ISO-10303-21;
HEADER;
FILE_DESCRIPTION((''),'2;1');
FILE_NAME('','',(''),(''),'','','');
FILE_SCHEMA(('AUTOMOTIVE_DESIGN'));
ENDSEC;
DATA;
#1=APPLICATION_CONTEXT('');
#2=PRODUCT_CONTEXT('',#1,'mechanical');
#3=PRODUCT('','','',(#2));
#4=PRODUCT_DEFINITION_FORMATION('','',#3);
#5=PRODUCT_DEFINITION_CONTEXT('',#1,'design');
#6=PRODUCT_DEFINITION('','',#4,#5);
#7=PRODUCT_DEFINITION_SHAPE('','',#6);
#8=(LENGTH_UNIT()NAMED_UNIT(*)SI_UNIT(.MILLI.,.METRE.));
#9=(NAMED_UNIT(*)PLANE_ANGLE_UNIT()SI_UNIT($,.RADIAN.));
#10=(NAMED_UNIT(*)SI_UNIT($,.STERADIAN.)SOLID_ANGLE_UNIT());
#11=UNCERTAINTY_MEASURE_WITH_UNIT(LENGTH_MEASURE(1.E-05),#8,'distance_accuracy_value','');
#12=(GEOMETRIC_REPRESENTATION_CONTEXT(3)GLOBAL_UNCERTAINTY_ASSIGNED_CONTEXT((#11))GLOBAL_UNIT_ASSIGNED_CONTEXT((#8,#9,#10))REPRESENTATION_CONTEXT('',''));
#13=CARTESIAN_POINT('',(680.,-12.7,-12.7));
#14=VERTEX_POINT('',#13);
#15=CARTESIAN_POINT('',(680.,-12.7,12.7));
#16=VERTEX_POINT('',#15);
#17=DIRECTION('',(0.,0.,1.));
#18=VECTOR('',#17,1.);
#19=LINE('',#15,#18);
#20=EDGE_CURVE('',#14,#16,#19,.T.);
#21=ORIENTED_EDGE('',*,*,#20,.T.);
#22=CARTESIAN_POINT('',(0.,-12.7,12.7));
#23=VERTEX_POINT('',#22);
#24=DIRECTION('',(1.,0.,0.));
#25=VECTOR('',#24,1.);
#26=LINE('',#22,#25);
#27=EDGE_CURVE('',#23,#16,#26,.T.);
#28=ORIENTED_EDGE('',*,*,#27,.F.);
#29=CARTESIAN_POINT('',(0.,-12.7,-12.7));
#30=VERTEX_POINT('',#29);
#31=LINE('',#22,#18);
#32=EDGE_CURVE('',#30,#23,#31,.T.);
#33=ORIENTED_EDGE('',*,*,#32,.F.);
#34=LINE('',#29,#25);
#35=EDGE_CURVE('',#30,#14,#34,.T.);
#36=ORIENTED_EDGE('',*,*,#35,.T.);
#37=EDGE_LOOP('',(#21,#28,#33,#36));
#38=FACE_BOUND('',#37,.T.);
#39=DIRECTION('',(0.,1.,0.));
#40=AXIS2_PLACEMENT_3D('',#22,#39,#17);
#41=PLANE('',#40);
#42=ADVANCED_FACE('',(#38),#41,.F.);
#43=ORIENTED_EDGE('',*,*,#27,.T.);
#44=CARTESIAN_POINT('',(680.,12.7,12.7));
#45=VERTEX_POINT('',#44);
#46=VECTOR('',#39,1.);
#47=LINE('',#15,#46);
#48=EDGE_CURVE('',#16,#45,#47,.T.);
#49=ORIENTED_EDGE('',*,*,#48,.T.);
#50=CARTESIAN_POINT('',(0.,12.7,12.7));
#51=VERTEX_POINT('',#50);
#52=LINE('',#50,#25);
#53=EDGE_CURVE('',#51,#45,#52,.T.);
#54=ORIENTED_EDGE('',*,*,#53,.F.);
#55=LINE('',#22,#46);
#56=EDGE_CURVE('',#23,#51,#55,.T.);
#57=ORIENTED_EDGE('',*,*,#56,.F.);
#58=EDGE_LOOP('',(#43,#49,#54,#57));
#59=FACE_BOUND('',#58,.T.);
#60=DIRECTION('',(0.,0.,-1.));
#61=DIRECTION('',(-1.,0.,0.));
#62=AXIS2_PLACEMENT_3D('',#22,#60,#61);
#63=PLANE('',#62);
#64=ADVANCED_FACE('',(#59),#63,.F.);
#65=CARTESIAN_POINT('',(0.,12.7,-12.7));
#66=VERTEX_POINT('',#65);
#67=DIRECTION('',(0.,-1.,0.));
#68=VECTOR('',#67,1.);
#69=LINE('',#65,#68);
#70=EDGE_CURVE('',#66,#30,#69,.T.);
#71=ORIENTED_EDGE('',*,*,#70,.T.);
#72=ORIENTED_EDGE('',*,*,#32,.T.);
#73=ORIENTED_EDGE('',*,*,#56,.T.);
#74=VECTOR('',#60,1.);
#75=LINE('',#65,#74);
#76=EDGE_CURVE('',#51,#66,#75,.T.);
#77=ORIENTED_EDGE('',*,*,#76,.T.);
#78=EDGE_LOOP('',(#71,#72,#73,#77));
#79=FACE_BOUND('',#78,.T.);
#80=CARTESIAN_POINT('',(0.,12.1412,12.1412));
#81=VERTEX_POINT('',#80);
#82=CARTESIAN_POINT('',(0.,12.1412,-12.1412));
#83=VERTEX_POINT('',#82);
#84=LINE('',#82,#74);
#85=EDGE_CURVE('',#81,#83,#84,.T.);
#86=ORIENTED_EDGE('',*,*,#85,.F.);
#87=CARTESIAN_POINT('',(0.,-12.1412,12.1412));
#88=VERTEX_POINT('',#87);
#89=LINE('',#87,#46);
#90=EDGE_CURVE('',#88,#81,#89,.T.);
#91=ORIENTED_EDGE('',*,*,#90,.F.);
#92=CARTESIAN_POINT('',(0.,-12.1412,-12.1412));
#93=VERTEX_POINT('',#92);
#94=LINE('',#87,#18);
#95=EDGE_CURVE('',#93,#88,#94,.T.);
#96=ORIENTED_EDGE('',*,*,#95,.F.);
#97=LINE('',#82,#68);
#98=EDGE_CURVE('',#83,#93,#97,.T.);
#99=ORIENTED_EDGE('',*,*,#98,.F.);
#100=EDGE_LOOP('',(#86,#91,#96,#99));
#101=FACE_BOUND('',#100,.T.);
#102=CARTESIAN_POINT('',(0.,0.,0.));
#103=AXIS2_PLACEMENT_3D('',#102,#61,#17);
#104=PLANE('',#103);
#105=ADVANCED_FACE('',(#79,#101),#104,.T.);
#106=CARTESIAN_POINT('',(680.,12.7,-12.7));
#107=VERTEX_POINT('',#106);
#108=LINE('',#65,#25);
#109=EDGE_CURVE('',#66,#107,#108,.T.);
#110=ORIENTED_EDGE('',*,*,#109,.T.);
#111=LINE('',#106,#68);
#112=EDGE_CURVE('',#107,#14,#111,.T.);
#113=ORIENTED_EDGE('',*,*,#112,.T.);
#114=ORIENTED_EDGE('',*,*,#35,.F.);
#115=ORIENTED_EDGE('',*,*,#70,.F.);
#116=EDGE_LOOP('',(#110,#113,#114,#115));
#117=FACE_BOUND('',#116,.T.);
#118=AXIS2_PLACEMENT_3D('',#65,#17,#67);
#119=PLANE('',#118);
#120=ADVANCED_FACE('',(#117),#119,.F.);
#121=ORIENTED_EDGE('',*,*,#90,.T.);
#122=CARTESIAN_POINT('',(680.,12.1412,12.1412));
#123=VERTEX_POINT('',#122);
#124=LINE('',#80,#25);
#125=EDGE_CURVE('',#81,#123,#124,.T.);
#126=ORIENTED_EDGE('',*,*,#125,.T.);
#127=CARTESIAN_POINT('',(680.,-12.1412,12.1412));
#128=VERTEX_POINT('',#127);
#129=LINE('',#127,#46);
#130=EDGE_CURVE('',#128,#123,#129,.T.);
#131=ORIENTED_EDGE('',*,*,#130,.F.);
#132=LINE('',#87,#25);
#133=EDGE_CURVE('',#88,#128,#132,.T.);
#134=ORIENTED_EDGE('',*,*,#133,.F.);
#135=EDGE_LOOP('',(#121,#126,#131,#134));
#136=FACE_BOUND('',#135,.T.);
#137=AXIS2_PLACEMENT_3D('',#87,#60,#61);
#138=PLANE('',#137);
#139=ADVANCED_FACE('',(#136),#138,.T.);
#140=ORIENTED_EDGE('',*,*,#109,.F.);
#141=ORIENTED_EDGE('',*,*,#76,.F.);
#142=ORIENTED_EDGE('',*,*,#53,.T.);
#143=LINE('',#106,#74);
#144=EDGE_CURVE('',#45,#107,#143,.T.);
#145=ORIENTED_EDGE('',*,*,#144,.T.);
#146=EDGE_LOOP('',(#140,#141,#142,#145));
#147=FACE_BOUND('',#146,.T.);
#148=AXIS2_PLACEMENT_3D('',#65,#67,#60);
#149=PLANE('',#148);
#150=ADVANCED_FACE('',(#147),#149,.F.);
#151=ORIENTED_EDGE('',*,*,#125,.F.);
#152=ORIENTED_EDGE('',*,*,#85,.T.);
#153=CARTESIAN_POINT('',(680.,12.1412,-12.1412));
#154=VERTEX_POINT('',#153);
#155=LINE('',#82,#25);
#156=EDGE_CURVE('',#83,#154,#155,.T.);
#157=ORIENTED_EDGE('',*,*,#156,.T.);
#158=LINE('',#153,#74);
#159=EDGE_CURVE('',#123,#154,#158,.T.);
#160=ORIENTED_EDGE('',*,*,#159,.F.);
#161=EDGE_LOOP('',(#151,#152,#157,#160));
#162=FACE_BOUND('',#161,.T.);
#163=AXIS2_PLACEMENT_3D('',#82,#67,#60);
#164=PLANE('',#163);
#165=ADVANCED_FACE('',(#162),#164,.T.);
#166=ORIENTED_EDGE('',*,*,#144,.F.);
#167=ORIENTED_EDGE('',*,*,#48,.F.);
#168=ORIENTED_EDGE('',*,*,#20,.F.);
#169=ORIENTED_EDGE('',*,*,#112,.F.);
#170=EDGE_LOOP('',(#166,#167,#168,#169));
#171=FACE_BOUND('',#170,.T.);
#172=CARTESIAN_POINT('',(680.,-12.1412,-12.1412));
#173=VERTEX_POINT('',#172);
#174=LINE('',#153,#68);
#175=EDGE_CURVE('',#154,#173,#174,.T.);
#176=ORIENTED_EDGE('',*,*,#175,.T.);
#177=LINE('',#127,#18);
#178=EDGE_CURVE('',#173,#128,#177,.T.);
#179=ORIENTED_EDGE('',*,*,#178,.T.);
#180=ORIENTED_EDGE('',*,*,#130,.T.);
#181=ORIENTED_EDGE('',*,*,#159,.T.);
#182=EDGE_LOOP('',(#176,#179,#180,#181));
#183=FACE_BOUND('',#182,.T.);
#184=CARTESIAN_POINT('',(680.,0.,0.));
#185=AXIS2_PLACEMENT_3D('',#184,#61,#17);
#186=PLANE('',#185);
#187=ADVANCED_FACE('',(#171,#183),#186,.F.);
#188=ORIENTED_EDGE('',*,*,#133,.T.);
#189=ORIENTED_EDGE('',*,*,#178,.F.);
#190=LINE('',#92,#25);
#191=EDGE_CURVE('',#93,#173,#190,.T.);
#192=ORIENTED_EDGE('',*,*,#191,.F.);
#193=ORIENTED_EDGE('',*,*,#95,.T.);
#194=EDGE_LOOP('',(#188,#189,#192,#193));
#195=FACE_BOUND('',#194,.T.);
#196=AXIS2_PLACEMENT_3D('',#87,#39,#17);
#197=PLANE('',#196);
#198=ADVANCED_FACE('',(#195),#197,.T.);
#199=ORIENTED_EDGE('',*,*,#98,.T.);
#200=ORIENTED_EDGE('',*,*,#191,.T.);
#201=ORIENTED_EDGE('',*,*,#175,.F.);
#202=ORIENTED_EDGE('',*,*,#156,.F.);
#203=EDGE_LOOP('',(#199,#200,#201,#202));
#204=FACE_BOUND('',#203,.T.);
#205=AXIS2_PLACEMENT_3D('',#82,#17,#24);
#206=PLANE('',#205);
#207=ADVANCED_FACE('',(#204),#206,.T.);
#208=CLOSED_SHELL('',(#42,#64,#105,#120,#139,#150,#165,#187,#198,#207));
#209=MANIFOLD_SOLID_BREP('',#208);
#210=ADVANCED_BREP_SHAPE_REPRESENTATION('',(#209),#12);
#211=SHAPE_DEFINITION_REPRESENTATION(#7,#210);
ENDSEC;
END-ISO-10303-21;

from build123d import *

# Parameters (mm, degrees)
SKETCH13_W                             = 25.4
SKETCH13_H                             = 25.4
SKETCH13_W_2                           = 24.2824
SKETCH13_H_2                           = 24.2824
AL_TUBE_SQUARE_1_SQ_X_022_WALL_1_DEPTH = 680


with BuildPart() as part:
    # Sketch13 → Al tube (square) 1 SQ X .022 WALL(1) (new body)
    with BuildSketch(Plane(origin=(680, 0, 0), x_dir=(0, -1, 0), z_dir=(-1, 0, 0))):
        Rectangle(SKETCH13_W, SKETCH13_H)
        Rectangle(SKETCH13_W_2, SKETCH13_H_2, mode=Mode.SUBTRACT)
    extrude(amount=AL_TUBE_SQUARE_1_SQ_X_022_WALL_1_DEPTH)


solid = part.part
